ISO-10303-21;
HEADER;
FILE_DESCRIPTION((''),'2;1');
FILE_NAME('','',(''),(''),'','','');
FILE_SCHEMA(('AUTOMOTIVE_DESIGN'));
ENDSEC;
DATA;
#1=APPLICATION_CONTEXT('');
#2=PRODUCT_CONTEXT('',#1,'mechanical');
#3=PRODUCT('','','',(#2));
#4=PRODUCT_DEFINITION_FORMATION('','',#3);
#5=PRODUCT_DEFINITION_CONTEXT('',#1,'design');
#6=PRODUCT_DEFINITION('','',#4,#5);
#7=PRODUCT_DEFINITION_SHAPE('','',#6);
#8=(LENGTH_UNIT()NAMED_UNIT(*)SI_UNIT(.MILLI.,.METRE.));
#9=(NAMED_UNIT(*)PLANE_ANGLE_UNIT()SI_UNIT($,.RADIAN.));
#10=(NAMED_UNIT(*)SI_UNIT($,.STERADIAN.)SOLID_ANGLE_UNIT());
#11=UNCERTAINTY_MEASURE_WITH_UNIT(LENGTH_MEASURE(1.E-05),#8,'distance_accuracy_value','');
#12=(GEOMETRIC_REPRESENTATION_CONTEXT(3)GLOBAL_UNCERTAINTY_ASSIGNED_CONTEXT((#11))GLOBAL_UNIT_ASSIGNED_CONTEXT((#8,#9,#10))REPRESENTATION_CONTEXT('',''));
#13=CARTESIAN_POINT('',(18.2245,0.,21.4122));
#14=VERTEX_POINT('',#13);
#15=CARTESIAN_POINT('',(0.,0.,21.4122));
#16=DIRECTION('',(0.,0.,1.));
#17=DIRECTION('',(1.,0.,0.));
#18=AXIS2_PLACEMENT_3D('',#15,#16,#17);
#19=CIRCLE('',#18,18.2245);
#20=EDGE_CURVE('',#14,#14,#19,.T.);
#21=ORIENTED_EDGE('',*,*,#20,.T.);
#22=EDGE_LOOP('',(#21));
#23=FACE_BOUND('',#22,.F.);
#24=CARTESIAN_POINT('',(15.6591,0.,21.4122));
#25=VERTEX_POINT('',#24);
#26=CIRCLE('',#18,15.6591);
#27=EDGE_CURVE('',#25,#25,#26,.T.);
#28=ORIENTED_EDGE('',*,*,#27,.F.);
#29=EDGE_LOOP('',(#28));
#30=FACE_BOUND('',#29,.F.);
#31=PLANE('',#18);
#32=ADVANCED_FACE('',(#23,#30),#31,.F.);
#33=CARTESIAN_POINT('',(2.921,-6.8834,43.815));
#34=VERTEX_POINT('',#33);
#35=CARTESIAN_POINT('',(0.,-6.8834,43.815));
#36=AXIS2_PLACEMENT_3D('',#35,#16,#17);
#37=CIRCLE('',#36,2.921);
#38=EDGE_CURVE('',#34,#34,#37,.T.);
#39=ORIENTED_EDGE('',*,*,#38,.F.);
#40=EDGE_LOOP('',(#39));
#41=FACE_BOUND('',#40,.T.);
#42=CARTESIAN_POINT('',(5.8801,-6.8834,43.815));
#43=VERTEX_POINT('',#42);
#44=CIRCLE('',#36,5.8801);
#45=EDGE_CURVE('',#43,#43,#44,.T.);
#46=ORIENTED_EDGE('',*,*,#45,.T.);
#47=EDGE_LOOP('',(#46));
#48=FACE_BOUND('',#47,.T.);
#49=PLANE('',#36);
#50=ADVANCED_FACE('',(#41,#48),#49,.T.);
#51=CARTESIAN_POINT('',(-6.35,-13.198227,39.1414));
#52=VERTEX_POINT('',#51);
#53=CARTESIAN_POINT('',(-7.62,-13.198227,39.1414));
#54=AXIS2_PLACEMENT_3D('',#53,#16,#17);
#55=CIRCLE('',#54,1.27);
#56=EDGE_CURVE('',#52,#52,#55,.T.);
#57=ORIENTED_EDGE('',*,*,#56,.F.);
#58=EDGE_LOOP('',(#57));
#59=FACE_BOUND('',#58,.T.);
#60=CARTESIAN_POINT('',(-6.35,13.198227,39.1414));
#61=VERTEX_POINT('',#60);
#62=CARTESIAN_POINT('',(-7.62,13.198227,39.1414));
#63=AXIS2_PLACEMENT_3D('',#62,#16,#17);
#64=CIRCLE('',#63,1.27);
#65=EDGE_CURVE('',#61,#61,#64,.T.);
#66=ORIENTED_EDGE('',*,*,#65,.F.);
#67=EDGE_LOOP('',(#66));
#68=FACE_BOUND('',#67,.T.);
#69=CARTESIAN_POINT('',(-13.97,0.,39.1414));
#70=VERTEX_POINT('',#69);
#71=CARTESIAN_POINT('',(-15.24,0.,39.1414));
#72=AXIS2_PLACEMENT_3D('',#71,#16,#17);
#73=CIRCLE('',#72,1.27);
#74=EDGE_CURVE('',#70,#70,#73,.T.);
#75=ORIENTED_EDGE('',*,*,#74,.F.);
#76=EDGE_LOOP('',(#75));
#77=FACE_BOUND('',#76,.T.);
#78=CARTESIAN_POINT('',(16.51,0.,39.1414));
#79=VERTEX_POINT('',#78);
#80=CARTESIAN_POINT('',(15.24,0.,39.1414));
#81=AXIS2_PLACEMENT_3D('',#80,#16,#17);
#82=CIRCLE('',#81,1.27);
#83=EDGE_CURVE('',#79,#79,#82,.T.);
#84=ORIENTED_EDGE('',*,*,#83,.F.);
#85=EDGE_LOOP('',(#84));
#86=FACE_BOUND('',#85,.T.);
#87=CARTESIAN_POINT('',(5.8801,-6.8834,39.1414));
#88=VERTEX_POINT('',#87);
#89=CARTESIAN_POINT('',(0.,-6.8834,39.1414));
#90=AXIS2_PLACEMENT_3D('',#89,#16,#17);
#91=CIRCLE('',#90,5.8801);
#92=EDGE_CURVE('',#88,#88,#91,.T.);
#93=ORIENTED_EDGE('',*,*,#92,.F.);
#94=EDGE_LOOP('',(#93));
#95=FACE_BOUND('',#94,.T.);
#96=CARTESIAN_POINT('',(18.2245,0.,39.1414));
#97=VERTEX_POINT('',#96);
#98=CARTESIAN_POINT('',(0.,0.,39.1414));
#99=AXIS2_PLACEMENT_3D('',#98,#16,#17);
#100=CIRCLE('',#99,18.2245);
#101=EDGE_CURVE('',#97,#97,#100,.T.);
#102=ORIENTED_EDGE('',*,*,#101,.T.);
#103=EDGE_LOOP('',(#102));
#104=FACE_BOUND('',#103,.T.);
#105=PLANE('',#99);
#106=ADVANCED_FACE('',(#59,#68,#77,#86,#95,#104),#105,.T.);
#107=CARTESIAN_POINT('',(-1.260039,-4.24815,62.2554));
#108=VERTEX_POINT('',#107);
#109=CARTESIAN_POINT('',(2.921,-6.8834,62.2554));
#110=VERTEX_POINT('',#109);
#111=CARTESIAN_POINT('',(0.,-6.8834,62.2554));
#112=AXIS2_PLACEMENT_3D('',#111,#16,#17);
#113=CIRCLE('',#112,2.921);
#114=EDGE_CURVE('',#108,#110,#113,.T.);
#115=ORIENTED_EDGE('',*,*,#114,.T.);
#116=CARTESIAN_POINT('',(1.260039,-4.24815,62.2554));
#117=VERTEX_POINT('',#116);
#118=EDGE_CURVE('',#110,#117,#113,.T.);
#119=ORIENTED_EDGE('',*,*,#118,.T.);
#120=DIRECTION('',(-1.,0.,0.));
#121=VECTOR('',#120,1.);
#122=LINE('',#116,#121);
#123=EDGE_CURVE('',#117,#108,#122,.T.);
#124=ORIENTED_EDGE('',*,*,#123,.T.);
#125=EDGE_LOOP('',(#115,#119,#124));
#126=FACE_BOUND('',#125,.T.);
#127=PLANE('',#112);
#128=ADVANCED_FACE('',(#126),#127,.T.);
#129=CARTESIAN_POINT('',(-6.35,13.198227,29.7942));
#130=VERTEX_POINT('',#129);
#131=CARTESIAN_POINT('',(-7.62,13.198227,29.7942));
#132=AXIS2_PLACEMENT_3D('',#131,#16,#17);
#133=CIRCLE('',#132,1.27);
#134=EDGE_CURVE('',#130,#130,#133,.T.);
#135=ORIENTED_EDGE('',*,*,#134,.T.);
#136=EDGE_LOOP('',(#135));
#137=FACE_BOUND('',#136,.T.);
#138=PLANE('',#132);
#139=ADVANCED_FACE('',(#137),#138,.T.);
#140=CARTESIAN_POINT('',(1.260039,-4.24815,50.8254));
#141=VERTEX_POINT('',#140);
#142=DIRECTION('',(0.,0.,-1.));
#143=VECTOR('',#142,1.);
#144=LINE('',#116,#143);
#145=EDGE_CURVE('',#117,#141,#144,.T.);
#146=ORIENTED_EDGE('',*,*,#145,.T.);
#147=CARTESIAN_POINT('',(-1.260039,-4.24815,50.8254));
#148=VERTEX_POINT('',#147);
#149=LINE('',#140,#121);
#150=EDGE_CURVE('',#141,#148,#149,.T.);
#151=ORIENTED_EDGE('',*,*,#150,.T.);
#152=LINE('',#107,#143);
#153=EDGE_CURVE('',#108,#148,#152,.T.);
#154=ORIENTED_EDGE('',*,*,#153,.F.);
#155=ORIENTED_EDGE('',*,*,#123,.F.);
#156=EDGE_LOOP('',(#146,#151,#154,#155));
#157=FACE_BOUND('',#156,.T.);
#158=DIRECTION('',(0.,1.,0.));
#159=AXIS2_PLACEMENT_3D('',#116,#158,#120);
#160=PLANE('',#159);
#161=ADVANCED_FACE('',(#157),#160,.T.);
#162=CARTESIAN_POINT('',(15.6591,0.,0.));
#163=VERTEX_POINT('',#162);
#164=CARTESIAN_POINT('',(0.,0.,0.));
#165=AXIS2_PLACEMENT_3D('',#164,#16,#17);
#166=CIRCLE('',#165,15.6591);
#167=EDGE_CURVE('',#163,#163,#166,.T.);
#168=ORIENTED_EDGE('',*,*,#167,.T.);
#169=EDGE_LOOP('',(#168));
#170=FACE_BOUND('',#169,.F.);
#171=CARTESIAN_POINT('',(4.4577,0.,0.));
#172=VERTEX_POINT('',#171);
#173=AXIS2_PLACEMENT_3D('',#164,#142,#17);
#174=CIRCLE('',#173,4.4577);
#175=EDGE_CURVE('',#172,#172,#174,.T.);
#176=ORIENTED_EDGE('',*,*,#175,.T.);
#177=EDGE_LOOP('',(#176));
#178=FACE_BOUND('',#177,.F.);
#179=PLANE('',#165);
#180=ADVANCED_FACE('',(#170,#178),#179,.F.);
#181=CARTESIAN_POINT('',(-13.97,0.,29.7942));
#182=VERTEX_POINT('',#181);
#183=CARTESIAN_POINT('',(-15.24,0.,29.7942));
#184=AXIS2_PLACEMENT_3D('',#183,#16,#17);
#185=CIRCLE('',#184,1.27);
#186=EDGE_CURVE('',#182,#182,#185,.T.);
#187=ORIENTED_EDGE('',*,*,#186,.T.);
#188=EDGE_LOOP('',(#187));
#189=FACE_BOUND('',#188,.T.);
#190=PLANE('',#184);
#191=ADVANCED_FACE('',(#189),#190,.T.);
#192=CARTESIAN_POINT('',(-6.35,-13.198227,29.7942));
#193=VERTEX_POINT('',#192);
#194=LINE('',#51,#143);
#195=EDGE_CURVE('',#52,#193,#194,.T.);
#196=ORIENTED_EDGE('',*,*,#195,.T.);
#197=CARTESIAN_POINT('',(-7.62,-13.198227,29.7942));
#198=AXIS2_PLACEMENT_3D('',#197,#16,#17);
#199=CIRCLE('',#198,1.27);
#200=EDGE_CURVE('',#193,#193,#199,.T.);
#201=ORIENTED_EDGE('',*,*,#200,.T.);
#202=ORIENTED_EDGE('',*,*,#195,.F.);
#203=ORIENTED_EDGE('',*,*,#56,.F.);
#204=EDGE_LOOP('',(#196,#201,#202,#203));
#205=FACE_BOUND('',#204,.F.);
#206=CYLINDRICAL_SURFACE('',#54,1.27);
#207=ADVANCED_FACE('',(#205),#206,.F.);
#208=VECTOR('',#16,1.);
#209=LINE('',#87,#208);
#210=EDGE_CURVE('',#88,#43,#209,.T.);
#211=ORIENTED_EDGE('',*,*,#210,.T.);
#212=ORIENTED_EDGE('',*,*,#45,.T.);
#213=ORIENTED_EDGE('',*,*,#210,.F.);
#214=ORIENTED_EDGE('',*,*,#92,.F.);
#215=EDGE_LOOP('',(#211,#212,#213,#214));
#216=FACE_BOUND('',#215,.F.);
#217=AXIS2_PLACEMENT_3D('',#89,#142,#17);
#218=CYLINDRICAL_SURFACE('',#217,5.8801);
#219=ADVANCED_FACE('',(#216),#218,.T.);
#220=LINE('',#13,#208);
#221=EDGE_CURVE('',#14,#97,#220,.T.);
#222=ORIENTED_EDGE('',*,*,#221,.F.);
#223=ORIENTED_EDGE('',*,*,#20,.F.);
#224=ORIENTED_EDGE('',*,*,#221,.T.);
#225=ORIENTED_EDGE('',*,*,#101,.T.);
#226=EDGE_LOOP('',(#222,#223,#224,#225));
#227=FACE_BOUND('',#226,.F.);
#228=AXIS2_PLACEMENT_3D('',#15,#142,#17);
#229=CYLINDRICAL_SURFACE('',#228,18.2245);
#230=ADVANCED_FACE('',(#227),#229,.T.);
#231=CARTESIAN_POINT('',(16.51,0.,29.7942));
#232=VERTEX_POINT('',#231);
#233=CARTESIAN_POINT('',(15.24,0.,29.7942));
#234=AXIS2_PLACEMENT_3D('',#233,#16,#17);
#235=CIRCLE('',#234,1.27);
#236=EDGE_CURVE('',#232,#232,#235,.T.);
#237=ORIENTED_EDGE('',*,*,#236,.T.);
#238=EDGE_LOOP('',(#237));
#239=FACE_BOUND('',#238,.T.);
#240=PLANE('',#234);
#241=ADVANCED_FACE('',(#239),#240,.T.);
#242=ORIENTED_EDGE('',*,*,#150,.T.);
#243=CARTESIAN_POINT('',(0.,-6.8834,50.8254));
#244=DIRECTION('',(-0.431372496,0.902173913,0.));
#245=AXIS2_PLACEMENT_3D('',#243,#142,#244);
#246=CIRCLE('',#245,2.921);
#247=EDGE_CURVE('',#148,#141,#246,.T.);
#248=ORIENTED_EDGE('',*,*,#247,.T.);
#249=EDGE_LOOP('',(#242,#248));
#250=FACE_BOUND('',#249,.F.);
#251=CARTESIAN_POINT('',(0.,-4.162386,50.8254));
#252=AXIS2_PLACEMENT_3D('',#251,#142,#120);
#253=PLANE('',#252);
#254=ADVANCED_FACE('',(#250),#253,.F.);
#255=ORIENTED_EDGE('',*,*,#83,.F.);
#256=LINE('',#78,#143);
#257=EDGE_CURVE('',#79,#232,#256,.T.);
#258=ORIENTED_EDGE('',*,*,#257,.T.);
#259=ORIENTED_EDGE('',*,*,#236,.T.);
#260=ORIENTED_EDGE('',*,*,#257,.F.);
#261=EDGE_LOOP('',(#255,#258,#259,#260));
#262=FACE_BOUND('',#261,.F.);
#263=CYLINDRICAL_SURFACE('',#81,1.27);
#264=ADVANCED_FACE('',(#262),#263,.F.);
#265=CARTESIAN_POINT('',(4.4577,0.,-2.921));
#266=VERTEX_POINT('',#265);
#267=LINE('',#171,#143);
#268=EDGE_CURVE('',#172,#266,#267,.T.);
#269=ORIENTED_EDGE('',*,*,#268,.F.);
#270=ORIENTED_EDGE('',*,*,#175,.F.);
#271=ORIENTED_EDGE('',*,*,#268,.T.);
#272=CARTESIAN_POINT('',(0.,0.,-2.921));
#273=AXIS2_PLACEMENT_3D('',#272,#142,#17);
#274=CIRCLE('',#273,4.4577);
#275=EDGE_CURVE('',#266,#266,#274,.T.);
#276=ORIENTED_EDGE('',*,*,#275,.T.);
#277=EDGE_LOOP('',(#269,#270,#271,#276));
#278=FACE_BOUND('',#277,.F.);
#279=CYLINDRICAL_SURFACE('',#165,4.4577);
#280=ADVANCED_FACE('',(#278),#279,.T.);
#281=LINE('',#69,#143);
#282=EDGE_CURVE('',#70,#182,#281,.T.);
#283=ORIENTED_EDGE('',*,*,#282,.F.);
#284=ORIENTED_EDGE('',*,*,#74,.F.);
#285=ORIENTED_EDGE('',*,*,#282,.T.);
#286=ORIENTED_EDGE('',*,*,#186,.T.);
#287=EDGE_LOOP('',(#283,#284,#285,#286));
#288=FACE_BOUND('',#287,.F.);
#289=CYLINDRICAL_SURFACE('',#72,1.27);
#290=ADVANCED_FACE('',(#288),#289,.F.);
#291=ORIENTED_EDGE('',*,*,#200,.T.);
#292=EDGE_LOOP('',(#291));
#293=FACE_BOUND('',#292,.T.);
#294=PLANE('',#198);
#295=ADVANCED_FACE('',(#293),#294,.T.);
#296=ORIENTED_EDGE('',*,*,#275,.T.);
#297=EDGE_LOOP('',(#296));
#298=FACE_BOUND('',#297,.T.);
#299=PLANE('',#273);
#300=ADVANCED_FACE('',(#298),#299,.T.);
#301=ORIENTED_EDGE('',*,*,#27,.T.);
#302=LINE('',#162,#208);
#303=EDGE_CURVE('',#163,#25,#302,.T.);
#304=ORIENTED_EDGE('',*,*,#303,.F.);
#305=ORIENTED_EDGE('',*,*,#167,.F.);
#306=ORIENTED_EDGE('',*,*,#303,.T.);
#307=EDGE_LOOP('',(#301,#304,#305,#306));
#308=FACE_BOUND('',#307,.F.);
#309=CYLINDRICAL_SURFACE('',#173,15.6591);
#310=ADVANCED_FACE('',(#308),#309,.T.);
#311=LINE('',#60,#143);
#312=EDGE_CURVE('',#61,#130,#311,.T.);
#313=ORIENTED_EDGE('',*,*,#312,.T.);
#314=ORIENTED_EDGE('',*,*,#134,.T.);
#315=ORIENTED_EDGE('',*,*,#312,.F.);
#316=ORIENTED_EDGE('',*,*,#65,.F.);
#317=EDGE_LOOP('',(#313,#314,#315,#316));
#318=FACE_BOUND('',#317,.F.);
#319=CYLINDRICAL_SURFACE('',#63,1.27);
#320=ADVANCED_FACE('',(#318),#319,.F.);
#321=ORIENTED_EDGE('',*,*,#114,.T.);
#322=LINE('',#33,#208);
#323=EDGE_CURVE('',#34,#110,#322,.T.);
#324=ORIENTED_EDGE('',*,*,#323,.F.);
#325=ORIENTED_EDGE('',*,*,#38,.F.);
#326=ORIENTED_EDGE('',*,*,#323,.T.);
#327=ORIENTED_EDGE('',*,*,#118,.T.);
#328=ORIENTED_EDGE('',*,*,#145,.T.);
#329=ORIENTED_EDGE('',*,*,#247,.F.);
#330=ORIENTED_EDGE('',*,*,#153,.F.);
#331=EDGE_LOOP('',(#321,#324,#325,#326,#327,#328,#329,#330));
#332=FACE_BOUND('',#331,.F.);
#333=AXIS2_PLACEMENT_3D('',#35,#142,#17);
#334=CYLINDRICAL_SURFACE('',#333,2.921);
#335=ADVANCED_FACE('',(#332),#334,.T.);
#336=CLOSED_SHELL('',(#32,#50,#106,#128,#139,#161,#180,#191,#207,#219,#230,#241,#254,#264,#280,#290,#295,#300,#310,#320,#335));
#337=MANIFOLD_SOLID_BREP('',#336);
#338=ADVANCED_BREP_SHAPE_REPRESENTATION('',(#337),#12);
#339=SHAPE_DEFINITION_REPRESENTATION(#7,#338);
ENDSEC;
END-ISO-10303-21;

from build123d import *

# Parameters (mm, degrees)
SKETCH1_R          = 15.6591
MOTOR_DEPTH        = 21.4122
SKETCH3_R          = 18.2245
GEARBOX_DEPTH      = 17.7292
SKETCH4_R          = 5.8801
PROTRUSION_DEPTH   = 4.6736
SKETCH5_R          = 2.921
SHAFT_DEPTH        = 18.4404
SKETCH6_R          = 1.27
SCREW_HOLES_DEPTH  = 9.3472
SKETCH7_R          = 4.4577
NUB_DEPTH          = 2.921
CUT_EXTRUDE1_DEPTH = 11.43


with BuildPart() as part:
    # Sketch1 → motor (new body)
    with BuildSketch(Plane.XY):
        Circle(SKETCH1_R)
    extrude(amount=MOTOR_DEPTH)

    # Sketch3 → gearbox (add)
    with BuildSketch(Plane.XY.offset(21.4122)):
        Circle(SKETCH3_R)
    extrude(amount=GEARBOX_DEPTH)

    # Sketch4 → protrusion (add)
    with BuildSketch(Plane.XY.offset(39.1414)):
        with Locations((0, -6.8834)):
            Circle(SKETCH4_R)
    extrude(amount=PROTRUSION_DEPTH)

    # Sketch5 → shaft (add)
    with BuildSketch(Plane.XY.offset(43.815)):
        with Locations((0, -6.8834)):
            Circle(SKETCH5_R)
    extrude(amount=SHAFT_DEPTH)

    # Sketch6 → screw holes (cut)
    with BuildSketch(Plane.XY.offset(39.1414)):
        with Locations((15.24, 0)):
            Circle(SKETCH6_R)
        with Locations((-15.24, 0)):
            Circle(SKETCH6_R)
        with Locations((-7.62, -13.198227096)):
            Circle(SKETCH6_R)
        with Locations((-7.61999995, 13.198227183)):
            Circle(SKETCH6_R)
    extrude(amount=-SCREW_HOLES_DEPTH, mode=Mode.SUBTRACT)

    # Sketch7 → nub (add)
    with BuildSketch(Plane(origin=(0, 0, 0), x_dir=(-1, 0, 0), z_dir=(0, 0, -1))):
        with Locations(Location((0, 0, 0), (0, 0, 180))):  # turned: the seam where the file's is
            Circle(SKETCH7_R)
    extrude(amount=NUB_DEPTH)

    # Sketch8 → Cut-Extrude1 (cut)
    with BuildSketch(Plane.XY.offset(62.2554)):
        with BuildLine():
            Line((1.260039062, -4.24815), (-1.260039062, -4.24815))
            ThreePointArc((-1.260039062, -4.24815), (0, -3.9624), (1.260039062, -4.24815))
        make_face()
    extrude(amount=-CUT_EXTRUDE1_DEPTH, mode=Mode.SUBTRACT)


solid = part.part
